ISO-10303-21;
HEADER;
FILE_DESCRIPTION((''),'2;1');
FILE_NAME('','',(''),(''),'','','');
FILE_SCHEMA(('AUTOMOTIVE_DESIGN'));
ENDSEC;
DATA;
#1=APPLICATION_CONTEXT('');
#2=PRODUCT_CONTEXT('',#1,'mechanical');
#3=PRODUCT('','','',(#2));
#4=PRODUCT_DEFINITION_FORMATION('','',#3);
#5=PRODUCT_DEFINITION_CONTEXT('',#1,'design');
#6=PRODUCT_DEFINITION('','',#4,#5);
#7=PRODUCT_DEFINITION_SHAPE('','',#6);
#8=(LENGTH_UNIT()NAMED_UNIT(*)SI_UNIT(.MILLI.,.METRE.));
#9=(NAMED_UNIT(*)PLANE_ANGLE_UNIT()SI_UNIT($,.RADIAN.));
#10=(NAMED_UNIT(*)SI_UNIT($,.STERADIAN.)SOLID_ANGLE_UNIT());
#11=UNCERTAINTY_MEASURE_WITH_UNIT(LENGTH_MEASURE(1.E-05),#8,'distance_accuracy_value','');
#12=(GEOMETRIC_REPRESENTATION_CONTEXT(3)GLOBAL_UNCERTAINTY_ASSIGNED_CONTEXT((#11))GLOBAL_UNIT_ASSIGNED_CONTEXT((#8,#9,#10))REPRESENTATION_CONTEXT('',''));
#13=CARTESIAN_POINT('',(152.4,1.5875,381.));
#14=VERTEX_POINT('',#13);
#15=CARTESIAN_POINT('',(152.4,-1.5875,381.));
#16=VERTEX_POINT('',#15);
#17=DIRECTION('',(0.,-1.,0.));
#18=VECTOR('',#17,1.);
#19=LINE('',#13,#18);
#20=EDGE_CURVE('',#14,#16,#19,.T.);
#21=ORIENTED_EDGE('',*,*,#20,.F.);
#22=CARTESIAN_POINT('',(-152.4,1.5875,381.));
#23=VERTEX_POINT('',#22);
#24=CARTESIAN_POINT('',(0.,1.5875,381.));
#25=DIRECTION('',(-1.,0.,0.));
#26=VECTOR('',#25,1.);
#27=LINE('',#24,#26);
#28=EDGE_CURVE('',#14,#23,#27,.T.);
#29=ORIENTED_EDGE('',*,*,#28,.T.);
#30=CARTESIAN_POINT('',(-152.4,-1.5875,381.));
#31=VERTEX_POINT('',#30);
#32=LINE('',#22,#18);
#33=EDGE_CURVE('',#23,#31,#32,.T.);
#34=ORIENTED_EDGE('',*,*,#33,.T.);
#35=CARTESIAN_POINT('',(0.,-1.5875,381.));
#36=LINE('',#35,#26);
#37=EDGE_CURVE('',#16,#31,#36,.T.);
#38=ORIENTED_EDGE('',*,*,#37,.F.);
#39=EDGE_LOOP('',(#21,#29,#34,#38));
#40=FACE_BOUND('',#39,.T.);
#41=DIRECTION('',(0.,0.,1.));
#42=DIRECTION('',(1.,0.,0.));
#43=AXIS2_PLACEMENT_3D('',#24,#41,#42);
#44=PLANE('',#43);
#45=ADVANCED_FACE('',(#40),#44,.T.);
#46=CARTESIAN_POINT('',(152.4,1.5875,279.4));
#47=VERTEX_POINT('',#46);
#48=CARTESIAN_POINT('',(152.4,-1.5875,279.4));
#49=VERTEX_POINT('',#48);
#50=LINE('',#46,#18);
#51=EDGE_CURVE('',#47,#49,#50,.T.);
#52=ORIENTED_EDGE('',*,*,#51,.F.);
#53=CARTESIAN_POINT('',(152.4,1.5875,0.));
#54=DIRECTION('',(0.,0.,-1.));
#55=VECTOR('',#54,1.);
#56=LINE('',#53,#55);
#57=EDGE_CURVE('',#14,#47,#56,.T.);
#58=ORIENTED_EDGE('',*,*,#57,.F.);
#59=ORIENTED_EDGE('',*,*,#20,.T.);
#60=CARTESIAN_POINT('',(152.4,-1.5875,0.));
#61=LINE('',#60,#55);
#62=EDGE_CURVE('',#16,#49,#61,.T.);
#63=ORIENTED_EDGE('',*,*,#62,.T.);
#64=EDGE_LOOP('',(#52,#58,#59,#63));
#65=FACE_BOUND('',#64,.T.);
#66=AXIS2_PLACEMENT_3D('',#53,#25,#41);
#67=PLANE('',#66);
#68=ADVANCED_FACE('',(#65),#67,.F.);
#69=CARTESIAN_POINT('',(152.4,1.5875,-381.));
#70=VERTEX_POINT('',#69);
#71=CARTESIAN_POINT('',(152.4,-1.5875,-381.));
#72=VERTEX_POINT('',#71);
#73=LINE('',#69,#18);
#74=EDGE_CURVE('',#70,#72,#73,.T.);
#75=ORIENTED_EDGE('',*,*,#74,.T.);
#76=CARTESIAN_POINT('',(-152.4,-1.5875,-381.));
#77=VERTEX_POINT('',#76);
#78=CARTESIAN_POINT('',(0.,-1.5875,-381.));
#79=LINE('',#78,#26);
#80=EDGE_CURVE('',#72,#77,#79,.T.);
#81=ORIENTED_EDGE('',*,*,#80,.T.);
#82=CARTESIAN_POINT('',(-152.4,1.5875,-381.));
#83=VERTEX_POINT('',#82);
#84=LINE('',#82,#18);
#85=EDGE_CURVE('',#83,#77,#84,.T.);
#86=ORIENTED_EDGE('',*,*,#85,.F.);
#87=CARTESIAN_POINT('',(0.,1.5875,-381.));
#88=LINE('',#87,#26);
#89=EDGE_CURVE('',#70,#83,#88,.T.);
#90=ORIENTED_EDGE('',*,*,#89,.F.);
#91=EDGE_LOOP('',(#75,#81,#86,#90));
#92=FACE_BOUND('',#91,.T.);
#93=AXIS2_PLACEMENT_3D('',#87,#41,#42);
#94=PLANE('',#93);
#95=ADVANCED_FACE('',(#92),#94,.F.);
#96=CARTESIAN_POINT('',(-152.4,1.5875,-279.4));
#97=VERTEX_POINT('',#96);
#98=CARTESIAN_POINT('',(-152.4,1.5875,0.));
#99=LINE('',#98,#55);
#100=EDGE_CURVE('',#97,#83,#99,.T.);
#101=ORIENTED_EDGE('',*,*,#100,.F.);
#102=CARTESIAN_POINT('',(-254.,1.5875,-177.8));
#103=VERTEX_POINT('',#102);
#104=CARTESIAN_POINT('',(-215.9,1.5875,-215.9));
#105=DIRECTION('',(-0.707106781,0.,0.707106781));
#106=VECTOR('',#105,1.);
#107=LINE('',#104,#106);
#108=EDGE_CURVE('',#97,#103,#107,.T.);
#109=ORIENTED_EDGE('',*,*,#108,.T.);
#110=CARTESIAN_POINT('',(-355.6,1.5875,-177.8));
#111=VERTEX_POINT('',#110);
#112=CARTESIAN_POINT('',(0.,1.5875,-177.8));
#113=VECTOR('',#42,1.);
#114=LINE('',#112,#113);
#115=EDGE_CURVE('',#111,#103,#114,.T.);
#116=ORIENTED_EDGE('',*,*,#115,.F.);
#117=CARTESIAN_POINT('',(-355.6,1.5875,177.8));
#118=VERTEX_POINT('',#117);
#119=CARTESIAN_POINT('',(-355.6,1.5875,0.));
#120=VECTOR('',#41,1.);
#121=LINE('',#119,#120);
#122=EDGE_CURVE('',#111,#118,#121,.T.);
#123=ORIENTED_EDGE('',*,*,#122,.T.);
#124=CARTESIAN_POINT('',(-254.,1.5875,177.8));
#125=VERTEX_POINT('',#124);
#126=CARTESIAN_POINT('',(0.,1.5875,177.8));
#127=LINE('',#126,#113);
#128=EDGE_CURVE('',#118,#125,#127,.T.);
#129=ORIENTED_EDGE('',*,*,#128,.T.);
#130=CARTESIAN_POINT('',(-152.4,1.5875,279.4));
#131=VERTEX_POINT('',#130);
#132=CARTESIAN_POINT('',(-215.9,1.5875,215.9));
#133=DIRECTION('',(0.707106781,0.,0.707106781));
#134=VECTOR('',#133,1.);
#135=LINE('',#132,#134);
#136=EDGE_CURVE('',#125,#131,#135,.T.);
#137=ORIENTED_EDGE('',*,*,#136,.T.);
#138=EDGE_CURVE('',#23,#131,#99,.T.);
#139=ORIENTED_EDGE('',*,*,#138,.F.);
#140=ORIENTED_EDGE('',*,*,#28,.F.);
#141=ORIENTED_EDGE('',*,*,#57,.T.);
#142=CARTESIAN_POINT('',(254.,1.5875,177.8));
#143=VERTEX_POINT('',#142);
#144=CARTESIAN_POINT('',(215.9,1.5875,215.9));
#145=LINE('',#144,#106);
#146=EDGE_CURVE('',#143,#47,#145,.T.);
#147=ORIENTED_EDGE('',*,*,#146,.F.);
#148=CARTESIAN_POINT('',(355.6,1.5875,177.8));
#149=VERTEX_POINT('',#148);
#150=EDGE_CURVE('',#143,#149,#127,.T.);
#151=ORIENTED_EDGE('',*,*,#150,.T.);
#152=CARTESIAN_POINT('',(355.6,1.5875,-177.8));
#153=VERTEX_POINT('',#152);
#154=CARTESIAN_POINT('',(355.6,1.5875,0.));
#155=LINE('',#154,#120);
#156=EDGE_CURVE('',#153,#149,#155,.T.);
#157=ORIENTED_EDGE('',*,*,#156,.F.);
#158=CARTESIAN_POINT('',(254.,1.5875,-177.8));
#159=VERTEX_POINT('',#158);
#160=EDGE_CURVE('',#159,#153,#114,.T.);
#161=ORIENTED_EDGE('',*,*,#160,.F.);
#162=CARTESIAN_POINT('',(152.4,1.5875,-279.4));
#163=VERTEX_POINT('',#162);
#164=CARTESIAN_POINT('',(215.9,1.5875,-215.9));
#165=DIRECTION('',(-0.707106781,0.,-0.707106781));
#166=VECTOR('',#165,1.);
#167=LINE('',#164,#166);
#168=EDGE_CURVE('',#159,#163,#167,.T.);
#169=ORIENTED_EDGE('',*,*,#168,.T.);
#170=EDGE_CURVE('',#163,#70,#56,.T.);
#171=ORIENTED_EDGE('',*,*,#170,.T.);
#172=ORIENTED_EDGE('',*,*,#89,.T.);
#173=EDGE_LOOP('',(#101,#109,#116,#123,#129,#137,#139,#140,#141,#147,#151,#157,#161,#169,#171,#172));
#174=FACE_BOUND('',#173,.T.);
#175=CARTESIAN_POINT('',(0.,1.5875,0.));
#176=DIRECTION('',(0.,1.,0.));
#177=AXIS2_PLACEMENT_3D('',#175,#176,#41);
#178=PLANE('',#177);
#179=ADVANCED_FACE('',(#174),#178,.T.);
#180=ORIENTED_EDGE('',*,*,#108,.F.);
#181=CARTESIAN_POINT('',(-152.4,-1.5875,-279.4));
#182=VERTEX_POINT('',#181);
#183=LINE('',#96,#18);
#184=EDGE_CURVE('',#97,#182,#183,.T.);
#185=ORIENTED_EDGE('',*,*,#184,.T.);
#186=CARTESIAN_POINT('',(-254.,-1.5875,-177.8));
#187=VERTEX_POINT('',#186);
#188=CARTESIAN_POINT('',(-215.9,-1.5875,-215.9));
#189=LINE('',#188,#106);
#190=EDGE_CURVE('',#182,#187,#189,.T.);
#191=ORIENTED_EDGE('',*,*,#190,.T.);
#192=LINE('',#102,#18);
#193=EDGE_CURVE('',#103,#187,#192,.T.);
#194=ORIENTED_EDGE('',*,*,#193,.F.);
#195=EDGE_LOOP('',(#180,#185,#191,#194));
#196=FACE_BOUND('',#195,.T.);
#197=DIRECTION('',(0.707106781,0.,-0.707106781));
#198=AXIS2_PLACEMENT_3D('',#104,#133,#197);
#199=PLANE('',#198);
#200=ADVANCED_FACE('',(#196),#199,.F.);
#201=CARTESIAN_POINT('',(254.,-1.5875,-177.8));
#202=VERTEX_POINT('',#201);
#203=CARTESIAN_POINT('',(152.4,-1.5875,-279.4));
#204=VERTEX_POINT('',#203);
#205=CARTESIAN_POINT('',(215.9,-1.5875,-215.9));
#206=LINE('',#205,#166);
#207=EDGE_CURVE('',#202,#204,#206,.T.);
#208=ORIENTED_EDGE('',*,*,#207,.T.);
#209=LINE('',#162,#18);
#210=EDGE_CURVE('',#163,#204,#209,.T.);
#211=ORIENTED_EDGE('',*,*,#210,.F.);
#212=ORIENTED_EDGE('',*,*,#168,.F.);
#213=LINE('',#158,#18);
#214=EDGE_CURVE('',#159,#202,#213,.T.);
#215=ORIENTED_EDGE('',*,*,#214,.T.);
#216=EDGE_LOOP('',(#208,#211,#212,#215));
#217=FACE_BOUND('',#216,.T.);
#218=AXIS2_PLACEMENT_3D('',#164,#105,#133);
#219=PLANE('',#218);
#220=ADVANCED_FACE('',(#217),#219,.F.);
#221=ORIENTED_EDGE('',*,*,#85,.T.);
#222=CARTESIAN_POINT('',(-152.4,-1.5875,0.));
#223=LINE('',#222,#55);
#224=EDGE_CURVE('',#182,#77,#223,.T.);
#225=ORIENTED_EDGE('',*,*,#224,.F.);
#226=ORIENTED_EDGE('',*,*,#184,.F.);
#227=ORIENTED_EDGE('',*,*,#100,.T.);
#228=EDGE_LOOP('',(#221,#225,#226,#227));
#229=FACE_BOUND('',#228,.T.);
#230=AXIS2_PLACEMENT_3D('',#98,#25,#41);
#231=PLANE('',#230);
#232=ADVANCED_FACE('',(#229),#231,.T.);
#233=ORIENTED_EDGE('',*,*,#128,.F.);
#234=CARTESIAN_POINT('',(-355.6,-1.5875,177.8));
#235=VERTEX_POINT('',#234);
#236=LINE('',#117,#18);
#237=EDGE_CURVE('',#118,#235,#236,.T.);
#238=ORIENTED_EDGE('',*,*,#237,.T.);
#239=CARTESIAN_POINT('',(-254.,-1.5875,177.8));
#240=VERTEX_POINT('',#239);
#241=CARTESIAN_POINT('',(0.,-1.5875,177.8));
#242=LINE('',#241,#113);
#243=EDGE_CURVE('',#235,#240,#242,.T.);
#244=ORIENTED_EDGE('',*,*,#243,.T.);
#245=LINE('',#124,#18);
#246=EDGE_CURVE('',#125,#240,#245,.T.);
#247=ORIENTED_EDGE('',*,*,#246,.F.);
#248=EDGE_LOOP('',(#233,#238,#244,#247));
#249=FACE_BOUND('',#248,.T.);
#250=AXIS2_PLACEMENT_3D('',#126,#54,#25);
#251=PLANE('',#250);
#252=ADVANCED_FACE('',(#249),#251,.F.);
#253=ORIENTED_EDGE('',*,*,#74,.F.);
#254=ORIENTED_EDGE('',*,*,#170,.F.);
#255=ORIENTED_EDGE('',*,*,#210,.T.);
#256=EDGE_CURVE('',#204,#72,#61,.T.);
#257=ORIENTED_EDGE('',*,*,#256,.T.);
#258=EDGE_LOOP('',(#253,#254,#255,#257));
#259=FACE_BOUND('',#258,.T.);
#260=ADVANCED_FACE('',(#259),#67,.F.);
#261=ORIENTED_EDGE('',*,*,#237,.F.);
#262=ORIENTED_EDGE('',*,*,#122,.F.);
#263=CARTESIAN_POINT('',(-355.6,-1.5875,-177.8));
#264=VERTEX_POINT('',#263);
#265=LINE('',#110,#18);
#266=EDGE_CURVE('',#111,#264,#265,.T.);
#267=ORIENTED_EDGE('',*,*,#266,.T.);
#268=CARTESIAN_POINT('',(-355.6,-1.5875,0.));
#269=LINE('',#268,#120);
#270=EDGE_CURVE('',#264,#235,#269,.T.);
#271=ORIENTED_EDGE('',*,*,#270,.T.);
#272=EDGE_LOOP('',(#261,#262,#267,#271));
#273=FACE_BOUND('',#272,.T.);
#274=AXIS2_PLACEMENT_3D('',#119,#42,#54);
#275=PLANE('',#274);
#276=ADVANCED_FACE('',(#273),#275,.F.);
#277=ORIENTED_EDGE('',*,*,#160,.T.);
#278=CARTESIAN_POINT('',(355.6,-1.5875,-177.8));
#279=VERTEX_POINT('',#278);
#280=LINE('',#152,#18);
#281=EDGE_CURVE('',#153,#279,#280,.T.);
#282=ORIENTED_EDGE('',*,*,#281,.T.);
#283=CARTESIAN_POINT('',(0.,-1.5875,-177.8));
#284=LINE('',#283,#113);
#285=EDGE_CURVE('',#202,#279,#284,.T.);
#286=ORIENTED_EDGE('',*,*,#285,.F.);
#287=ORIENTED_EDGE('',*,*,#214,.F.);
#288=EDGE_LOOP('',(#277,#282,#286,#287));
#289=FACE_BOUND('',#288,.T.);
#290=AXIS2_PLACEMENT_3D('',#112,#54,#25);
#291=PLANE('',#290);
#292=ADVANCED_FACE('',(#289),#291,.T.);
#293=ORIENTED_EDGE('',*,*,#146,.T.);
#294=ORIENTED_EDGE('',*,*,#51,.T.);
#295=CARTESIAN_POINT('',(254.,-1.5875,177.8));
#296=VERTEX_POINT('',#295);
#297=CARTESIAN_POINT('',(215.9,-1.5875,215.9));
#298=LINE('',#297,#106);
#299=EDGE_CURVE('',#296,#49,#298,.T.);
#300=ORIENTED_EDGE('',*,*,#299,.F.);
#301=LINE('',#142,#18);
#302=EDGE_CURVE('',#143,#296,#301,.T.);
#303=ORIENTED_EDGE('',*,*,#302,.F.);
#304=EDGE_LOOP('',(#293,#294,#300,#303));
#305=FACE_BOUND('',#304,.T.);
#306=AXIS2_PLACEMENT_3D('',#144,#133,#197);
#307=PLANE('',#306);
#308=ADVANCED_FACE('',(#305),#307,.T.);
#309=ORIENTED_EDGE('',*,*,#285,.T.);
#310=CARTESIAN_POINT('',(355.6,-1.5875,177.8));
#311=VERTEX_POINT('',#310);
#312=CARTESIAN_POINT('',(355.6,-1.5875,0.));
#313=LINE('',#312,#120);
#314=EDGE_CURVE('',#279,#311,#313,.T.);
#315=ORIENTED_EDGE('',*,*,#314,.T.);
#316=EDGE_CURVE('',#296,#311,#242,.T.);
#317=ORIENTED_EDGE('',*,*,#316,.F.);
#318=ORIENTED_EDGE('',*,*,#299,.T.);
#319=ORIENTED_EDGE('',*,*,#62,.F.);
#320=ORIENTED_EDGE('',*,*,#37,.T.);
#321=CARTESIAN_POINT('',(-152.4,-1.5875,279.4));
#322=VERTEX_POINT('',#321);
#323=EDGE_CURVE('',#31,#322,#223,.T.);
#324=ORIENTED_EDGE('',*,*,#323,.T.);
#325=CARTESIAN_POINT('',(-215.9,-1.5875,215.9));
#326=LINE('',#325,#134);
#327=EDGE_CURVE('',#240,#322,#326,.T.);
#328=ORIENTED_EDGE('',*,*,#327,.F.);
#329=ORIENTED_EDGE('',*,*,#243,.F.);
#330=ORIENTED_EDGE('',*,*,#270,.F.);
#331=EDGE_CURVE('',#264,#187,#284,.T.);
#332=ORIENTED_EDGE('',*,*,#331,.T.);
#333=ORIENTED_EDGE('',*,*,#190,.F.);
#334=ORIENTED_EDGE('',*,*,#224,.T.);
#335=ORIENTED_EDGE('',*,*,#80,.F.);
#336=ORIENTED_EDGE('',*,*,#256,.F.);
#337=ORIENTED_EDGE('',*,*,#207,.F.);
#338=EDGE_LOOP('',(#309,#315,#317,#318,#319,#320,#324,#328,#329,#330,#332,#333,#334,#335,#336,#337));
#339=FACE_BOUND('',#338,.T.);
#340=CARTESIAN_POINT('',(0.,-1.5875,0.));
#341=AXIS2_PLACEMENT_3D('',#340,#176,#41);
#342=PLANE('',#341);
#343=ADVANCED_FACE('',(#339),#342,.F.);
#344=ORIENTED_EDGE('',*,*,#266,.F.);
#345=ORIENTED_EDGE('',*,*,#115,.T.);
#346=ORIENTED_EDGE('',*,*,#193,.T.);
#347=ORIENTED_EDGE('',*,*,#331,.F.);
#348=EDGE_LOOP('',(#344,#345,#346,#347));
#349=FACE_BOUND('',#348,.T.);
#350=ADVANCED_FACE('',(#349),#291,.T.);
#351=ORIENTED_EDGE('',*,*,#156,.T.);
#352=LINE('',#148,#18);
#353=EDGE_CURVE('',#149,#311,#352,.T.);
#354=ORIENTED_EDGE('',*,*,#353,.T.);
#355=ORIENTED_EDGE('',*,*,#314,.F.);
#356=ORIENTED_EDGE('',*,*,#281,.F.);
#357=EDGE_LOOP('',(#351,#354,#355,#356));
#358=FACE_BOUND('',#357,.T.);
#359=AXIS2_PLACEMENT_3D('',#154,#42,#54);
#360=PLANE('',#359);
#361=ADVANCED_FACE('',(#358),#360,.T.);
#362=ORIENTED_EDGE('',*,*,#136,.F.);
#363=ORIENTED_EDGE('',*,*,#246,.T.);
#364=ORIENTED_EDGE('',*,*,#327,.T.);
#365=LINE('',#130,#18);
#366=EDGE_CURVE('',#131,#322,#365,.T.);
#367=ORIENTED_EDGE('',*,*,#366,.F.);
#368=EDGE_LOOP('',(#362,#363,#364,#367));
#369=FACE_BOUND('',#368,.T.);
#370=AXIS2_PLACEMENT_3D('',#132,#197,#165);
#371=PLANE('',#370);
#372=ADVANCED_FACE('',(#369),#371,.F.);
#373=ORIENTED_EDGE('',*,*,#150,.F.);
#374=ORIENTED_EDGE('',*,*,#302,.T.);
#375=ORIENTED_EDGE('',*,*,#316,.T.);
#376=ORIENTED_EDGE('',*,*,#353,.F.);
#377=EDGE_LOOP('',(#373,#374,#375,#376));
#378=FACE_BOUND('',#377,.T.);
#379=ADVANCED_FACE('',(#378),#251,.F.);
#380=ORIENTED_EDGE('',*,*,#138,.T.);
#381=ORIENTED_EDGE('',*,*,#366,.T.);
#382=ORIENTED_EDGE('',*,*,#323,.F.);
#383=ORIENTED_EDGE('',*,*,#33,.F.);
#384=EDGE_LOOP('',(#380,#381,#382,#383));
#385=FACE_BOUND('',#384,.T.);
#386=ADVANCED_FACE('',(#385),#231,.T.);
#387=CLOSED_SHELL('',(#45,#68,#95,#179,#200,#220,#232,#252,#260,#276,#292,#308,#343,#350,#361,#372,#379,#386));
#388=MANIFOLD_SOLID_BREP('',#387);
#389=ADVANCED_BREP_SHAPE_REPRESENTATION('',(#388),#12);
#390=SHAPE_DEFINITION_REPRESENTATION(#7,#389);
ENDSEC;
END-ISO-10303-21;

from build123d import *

# Parameters (mm, degrees)
SKETCH1_W           = 304.8
SKETCH1_H           = 355.6
BOSS_EXTRUDE1_DEPTH = 1.5875


with BuildPart() as part:
    # Sketch1 → Boss-Extrude1 (new, symmetric)
    with BuildSketch(Plane(origin=(0, 0, 0), x_dir=(1, 0, 0), z_dir=(0, 1, 0))):
        Polygon((-152.4, -177.8), (-152.4, 177.8), (-254, 177.8), (-355.6, 177.8), (-355.6, -177.8), (-254, -177.8), align=None)
        Rectangle(SKETCH1_W, SKETCH1_H)
        Polygon((152.4, 177.8), (152.4, 279.4), (152.4, 381), (-152.4, 381), (-152.4, 279.4), (-152.4, 177.8), align=None)
        Polygon((152.4, -279.4), (152.4, -177.8), (-152.4, -177.8), (-152.4, -279.4), (-152.4, -381), (152.4, -381), align=None)
        Polygon((355.6, 177.8), (254, 177.8), (152.4, 177.8), (152.4, -177.8), (254, -177.8), (355.6, -177.8), align=None)
        Polygon((152.4, 177.8), (254, 177.8), (152.4, 279.4), align=None)
        Polygon((254, -177.8), (152.4, -177.8), (152.4, -279.4), align=None)
        Polygon((-152.4, -279.4), (-152.4, -177.8), (-254, -177.8), align=None)
        Polygon((-254, 177.8), (-152.4, 177.8), (-152.4, 279.4), align=None)
    extrude(amount=BOSS_EXTRUDE1_DEPTH, both=True)


solid = part.part
